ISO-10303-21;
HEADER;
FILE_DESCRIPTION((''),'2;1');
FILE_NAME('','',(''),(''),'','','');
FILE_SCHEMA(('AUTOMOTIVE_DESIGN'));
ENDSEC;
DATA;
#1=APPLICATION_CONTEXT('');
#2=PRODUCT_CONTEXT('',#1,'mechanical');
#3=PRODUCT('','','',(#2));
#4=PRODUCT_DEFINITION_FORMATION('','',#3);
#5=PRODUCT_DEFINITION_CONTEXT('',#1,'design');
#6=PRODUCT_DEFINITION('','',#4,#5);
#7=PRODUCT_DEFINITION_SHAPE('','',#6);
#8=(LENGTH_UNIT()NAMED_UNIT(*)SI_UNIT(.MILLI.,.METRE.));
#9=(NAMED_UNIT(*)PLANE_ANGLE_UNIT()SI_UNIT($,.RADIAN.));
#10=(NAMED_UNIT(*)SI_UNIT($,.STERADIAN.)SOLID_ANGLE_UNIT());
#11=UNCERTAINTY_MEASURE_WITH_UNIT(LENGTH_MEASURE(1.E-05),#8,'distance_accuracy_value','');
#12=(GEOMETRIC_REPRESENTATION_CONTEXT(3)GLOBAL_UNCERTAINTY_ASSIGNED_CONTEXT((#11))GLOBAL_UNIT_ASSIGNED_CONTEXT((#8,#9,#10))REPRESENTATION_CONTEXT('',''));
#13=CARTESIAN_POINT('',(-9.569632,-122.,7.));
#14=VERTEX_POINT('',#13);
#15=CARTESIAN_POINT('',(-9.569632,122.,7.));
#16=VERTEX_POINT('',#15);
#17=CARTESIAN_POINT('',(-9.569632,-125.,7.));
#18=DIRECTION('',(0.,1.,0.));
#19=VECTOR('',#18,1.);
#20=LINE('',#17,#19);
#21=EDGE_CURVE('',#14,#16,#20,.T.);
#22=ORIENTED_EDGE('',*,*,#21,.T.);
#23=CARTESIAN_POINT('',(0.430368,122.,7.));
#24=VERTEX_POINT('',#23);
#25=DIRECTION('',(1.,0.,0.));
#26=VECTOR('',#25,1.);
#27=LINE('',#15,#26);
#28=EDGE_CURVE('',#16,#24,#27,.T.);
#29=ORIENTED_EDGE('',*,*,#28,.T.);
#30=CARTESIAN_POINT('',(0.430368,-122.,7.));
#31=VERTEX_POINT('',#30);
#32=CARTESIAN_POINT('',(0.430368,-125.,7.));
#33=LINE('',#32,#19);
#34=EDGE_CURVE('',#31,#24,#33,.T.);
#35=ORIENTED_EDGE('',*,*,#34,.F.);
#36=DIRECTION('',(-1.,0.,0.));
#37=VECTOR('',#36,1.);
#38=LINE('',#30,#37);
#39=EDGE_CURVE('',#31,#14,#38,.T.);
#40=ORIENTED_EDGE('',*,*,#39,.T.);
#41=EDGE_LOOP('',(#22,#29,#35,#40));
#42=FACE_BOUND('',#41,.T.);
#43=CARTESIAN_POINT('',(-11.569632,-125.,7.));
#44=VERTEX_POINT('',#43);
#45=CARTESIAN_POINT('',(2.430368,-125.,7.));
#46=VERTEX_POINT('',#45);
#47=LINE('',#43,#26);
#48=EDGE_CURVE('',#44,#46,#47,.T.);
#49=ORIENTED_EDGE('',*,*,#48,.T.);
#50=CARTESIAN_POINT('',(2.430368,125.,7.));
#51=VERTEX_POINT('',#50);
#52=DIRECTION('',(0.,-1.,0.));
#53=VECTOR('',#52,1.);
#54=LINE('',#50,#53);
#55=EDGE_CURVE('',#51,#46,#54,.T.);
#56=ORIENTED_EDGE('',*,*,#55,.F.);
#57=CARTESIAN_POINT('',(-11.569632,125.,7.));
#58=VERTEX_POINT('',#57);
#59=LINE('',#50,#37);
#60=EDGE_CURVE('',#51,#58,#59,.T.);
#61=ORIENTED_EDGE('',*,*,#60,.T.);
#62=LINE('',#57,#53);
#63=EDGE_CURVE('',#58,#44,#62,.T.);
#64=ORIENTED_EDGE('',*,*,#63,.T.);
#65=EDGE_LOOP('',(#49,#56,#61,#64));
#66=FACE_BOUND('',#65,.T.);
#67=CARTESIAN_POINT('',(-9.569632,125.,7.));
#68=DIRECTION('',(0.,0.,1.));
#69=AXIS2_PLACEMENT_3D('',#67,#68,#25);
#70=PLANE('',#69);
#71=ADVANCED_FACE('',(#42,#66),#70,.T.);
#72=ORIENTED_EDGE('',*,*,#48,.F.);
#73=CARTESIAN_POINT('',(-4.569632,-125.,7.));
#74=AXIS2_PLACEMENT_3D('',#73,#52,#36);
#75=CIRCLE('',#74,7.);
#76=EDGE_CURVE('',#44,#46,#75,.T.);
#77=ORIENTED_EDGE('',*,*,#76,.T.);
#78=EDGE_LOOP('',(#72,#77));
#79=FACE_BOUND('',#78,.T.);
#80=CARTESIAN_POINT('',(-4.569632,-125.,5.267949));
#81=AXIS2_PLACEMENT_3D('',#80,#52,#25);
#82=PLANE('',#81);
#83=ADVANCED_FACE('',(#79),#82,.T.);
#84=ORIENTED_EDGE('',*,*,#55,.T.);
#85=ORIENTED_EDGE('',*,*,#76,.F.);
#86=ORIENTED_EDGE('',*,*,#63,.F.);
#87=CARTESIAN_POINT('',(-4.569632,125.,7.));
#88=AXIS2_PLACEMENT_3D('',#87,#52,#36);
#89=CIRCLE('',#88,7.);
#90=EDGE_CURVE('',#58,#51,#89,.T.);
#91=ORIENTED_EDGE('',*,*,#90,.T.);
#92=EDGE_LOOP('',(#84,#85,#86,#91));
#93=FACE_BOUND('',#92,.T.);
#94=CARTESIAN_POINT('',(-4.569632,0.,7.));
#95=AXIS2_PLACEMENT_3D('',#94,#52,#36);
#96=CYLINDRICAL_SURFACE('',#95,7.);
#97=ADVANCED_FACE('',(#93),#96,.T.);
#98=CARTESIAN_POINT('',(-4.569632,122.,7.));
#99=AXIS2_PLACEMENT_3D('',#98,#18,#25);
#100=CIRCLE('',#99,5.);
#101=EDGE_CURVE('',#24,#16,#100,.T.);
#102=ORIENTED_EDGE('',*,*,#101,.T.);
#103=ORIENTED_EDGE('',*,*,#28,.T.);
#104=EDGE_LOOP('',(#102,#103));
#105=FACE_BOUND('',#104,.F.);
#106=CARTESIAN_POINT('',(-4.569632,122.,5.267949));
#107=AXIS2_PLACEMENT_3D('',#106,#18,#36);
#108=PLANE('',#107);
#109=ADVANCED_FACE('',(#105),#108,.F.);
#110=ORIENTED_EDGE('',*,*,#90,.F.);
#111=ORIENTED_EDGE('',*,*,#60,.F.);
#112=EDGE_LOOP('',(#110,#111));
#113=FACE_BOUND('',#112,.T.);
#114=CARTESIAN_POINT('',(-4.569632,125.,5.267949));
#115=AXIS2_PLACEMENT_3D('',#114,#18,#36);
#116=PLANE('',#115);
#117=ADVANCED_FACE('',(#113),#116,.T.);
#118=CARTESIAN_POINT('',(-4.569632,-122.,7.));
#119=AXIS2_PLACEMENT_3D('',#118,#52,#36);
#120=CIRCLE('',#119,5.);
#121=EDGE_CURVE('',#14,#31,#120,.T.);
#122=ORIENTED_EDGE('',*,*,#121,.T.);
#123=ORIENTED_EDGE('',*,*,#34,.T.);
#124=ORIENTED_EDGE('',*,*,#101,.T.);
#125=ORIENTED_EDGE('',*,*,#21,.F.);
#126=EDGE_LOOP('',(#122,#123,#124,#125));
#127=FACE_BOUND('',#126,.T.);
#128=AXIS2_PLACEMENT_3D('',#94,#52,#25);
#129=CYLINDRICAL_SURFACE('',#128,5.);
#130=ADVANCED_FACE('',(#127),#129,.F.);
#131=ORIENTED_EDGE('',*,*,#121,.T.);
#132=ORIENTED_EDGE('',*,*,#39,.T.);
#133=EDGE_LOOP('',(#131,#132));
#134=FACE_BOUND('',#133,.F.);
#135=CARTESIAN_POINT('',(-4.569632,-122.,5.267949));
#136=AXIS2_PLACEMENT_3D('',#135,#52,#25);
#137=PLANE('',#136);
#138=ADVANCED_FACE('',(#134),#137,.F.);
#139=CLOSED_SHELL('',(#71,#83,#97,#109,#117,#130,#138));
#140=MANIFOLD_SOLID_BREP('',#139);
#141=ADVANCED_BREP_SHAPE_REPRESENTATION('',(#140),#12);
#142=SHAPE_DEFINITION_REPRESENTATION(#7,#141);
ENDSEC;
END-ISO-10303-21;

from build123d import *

# Parameters (mm, degrees)
F1_DEPTH = 125
F3_DEPTH = 3
F5_DEPTH = 3


with BuildPart() as f1:
    # F0 (on Front) → F1 (new body, symmetric)
    with BuildSketch(Plane.XZ):
        with BuildLine():
            Line((-9.569632, 7), (-11.569632, 7))
            ThreePointArc((-11.569632, 7), (-4.569632, 0), (2.430368, 7))
            Line((2.430368, 7), (0.430368, 7))
            ThreePointArc((0.430368, 7), (-4.569632, 2), (-9.569632, 7))
        make_face()
    extrude(amount=F1_DEPTH, both=True)

    # F2 (on face) → F3 (join)
    with BuildSketch(Plane.XZ.offset(125)):
        with BuildLine():
            Line((0.430368, 7), (-9.569632, 7))
            ThreePointArc((-9.569632, 7), (-4.569632, 2), (0.430368, 7))
        make_face()
    extrude(amount=-F3_DEPTH)

    # F4 (on face) → F5 (join)
    with BuildSketch(Plane(origin=(0, 125, 0), x_dir=(-1, 0, 0), z_dir=(0, 1, 0))):
        with BuildLine():
            Line((9.569632, 7), (-0.430368, 7))
            ThreePointArc((-0.430368, 7), (4.569632, 2), (9.569632, 7))
        make_face()
    extrude(amount=-F5_DEPTH)


solid = f1.part
